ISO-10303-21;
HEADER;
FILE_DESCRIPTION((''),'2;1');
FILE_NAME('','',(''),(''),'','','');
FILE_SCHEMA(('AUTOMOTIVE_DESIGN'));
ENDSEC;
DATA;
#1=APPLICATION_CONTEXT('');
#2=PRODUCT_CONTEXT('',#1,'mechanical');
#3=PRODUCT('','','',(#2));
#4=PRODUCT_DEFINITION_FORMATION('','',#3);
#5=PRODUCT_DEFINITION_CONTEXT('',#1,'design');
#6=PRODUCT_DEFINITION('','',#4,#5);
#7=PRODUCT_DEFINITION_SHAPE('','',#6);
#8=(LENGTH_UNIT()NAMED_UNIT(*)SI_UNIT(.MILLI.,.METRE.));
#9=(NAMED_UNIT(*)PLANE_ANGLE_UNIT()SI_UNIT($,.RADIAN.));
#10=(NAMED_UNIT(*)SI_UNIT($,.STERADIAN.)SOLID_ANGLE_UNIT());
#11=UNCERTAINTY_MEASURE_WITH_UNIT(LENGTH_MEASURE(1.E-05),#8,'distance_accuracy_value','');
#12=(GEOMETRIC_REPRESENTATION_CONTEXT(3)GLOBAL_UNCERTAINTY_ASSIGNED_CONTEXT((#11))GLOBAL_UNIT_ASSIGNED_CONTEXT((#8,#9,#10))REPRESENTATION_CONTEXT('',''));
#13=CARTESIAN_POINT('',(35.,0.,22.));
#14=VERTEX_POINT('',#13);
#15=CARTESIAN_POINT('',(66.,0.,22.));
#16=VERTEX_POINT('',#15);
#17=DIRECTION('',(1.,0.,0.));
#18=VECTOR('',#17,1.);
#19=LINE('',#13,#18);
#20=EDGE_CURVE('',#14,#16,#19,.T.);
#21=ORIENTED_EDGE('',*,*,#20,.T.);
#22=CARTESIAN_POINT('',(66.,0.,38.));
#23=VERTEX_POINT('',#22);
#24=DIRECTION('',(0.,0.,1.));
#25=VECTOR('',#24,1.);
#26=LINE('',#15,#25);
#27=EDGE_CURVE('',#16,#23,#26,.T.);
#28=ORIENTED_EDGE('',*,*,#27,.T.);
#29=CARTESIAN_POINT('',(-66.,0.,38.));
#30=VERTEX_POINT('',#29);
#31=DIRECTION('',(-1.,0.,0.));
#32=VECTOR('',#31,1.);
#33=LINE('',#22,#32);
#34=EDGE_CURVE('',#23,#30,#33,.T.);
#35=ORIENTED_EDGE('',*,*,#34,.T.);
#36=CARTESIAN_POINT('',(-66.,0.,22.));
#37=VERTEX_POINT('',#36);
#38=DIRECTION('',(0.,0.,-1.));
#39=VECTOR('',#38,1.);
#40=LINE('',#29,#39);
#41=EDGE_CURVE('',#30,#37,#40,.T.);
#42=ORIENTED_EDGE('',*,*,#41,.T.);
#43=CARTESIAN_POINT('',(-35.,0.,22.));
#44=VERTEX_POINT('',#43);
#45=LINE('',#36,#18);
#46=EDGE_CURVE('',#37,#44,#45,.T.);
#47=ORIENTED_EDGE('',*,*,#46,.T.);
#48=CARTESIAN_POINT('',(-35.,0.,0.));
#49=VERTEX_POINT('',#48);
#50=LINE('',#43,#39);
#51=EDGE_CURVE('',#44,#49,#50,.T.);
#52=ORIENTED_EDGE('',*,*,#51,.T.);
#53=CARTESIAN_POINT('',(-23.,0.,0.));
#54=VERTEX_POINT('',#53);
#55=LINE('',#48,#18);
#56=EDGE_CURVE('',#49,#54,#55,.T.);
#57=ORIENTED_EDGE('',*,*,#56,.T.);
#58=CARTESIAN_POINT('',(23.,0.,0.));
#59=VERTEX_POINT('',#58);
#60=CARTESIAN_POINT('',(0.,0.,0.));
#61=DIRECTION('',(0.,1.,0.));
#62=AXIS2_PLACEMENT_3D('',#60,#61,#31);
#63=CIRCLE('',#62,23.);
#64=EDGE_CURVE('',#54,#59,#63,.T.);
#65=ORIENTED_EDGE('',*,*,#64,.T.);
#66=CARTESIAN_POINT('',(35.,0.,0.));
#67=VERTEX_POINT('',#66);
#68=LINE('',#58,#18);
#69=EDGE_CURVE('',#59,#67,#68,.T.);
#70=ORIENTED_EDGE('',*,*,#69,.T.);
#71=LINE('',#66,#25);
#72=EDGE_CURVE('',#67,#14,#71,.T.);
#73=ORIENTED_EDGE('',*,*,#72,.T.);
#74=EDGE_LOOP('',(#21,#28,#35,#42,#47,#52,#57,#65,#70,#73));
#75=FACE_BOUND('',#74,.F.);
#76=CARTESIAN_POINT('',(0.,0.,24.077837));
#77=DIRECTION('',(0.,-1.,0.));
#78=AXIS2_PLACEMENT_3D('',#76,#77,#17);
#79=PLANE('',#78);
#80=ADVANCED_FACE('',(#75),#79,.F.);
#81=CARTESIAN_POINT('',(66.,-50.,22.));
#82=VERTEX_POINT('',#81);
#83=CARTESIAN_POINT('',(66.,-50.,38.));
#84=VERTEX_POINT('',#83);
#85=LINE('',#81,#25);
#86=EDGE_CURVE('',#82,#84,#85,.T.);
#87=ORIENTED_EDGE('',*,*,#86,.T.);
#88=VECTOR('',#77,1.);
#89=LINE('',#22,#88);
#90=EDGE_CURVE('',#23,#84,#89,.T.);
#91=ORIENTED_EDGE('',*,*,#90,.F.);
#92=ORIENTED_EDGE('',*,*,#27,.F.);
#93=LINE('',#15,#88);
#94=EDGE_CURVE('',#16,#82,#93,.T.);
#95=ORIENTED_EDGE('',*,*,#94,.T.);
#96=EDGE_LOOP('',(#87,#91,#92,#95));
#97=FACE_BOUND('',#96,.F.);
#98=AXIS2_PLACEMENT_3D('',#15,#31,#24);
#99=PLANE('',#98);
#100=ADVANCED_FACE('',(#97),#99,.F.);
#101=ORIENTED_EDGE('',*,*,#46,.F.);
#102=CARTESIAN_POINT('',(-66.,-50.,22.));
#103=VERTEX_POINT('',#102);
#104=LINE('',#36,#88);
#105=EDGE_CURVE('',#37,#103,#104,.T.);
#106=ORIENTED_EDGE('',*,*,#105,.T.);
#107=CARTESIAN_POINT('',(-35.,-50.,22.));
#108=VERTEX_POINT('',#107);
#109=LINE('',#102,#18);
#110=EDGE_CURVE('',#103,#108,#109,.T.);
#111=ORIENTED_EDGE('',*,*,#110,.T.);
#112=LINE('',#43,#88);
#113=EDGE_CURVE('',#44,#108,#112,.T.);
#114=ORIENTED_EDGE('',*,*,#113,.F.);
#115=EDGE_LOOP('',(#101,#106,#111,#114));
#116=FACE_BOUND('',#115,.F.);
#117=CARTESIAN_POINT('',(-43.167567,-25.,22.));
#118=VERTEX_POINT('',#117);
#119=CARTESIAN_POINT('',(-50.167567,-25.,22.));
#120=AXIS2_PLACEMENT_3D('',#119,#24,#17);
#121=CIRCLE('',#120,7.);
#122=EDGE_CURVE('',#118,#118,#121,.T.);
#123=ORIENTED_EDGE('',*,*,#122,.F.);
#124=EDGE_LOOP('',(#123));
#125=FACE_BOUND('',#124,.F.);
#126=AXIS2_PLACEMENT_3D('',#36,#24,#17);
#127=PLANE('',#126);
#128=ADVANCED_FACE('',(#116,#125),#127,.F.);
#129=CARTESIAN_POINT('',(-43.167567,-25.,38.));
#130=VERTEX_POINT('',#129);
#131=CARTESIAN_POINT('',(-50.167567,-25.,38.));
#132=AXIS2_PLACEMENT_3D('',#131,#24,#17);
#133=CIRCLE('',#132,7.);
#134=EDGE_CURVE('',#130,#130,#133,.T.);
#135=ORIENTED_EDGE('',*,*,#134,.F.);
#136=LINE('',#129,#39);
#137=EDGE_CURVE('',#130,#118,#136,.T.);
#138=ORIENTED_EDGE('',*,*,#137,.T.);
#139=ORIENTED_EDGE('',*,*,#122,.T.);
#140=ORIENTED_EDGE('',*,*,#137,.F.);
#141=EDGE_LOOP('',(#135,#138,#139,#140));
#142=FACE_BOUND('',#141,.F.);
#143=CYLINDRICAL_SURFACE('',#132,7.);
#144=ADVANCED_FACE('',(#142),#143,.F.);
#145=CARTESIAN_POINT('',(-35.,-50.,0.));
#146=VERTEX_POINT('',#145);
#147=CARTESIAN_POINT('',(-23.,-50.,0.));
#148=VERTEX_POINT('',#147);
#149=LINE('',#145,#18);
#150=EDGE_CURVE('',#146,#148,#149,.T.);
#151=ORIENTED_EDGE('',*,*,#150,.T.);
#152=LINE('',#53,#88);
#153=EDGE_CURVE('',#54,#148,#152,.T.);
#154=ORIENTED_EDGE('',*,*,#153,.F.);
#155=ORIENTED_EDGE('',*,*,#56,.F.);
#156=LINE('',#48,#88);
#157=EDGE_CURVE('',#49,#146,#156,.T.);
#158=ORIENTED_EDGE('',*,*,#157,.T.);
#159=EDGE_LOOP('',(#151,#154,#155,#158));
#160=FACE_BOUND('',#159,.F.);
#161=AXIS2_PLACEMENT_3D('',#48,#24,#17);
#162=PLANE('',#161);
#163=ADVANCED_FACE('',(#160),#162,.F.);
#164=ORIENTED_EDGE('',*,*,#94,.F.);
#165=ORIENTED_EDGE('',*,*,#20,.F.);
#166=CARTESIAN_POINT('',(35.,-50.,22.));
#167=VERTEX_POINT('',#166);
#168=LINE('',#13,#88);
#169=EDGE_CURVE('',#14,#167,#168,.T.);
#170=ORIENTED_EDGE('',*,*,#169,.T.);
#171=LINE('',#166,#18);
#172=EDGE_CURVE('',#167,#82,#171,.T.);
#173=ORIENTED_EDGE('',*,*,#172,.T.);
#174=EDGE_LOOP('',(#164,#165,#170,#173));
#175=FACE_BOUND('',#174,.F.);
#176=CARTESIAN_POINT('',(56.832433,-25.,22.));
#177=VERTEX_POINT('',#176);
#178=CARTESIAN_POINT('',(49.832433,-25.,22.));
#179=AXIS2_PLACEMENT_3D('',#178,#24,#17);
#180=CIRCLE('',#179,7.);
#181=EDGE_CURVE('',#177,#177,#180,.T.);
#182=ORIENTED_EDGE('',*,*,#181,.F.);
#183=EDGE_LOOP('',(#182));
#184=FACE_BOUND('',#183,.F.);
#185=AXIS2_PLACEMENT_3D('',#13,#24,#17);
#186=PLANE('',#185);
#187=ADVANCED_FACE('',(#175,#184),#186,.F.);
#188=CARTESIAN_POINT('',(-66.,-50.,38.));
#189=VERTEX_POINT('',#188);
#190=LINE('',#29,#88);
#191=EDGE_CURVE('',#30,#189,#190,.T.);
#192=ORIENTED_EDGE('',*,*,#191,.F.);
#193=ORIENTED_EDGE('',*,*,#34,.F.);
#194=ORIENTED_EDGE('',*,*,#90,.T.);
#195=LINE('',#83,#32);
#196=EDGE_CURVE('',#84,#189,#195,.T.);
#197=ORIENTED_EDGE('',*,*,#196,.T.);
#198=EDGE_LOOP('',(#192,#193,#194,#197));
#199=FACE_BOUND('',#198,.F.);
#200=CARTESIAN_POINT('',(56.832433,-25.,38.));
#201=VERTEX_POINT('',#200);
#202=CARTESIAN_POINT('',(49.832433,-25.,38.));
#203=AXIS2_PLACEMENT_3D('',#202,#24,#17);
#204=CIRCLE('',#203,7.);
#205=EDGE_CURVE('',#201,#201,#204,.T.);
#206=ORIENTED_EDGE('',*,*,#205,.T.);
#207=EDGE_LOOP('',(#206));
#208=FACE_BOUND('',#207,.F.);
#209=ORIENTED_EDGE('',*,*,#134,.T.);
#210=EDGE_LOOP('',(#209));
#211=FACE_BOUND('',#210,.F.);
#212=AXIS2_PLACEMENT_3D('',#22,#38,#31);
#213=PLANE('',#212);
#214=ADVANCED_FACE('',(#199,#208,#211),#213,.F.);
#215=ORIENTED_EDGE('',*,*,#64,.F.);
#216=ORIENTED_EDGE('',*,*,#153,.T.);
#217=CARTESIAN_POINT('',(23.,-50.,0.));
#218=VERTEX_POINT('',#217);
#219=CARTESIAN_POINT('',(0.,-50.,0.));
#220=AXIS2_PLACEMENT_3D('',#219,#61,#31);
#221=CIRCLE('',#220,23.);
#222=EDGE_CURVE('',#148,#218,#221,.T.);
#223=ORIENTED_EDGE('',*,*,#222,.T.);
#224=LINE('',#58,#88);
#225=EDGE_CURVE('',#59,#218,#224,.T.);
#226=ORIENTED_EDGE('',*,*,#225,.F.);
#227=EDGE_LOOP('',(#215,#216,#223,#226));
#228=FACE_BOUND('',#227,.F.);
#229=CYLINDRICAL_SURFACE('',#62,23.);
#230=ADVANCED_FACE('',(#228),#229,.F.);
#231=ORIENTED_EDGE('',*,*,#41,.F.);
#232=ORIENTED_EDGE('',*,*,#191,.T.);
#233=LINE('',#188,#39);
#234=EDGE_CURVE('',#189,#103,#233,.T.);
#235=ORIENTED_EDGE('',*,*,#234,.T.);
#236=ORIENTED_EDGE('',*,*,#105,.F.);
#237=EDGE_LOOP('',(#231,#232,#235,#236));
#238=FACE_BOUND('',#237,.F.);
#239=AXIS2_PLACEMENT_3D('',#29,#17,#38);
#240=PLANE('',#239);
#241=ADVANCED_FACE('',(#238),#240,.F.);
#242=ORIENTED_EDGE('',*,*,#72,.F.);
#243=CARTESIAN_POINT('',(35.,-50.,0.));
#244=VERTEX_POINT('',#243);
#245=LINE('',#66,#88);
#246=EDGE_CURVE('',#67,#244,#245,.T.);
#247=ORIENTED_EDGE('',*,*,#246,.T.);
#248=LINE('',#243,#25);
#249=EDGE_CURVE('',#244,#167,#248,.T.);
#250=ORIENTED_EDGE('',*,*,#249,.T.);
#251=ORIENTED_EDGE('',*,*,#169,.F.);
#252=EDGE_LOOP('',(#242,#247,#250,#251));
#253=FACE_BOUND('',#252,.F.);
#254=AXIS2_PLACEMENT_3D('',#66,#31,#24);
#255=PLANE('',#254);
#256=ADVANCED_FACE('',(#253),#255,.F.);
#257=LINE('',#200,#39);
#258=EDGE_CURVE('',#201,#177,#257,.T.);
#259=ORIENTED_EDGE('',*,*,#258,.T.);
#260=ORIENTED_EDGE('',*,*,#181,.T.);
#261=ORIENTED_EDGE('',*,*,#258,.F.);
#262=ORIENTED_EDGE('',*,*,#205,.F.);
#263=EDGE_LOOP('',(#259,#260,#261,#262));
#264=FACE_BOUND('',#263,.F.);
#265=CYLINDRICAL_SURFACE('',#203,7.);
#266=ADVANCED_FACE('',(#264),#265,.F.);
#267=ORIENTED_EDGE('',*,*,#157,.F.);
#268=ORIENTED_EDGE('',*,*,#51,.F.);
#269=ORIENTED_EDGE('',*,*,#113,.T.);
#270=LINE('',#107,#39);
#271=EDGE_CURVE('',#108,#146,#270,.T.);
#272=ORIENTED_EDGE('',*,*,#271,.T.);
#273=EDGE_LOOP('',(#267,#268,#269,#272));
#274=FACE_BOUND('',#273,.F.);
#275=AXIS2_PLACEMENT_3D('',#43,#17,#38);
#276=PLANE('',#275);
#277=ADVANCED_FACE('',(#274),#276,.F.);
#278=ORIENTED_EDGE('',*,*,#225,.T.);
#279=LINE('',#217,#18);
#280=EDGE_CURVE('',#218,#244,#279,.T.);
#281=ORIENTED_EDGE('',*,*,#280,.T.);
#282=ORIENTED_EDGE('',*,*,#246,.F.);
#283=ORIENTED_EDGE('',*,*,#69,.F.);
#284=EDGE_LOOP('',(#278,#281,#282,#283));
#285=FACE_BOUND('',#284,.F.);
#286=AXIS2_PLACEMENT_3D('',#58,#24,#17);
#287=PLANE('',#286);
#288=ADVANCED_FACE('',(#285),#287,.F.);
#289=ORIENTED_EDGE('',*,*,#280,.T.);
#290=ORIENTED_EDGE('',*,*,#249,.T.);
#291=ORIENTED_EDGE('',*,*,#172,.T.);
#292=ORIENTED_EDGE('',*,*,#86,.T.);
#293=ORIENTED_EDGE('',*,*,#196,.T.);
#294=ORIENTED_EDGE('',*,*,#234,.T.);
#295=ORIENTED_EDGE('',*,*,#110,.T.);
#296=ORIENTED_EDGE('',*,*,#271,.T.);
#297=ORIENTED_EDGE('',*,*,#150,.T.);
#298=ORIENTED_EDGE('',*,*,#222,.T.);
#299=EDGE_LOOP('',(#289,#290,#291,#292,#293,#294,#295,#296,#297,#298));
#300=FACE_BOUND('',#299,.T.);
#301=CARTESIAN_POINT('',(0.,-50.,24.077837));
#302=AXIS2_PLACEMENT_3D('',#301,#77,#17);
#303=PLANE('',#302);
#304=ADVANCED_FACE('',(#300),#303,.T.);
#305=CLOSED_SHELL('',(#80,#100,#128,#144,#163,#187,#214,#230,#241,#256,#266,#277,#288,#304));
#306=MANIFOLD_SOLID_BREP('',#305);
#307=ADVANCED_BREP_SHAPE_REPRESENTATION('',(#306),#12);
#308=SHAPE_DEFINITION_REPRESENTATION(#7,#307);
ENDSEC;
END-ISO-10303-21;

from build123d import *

# Parameters (mm, degrees)
F1_DEPTH = 50
F2_R     = 7
F3_DEPTH = 16


with BuildPart() as f1:
    # F0 (on Front) → F1 (new body)
    with BuildSketch(Plane.XZ):
        with BuildLine():
            Line((-35, 22), (-35, 0))
            Line((-35, 0), (-23, 0))
            ThreePointArc((-23, 0), (0, 23), (23, 0))
            Line((23, 0), (35, 0))
            Line((35, 0), (35, 22))
            Line((35, 22), (66, 22))
            Line((66, 22), (66, 38))
            Line((66, 38), (-66, 38))
            Line((-66, 38), (-66, 22))
            Line((-66, 22), (-35, 22))
        make_face()
    extrude(amount=F1_DEPTH)

    # F2 (on face) → F3 (cut)
    with BuildSketch(Plane.XY.offset(38)):
        with Locations((49.832433, -25)):
            Circle(F2_R)
        with Locations((-50.167567, -25)):
            Circle(F2_R)
    extrude(amount=-F3_DEPTH, mode=Mode.SUBTRACT)


solid = f1.part
